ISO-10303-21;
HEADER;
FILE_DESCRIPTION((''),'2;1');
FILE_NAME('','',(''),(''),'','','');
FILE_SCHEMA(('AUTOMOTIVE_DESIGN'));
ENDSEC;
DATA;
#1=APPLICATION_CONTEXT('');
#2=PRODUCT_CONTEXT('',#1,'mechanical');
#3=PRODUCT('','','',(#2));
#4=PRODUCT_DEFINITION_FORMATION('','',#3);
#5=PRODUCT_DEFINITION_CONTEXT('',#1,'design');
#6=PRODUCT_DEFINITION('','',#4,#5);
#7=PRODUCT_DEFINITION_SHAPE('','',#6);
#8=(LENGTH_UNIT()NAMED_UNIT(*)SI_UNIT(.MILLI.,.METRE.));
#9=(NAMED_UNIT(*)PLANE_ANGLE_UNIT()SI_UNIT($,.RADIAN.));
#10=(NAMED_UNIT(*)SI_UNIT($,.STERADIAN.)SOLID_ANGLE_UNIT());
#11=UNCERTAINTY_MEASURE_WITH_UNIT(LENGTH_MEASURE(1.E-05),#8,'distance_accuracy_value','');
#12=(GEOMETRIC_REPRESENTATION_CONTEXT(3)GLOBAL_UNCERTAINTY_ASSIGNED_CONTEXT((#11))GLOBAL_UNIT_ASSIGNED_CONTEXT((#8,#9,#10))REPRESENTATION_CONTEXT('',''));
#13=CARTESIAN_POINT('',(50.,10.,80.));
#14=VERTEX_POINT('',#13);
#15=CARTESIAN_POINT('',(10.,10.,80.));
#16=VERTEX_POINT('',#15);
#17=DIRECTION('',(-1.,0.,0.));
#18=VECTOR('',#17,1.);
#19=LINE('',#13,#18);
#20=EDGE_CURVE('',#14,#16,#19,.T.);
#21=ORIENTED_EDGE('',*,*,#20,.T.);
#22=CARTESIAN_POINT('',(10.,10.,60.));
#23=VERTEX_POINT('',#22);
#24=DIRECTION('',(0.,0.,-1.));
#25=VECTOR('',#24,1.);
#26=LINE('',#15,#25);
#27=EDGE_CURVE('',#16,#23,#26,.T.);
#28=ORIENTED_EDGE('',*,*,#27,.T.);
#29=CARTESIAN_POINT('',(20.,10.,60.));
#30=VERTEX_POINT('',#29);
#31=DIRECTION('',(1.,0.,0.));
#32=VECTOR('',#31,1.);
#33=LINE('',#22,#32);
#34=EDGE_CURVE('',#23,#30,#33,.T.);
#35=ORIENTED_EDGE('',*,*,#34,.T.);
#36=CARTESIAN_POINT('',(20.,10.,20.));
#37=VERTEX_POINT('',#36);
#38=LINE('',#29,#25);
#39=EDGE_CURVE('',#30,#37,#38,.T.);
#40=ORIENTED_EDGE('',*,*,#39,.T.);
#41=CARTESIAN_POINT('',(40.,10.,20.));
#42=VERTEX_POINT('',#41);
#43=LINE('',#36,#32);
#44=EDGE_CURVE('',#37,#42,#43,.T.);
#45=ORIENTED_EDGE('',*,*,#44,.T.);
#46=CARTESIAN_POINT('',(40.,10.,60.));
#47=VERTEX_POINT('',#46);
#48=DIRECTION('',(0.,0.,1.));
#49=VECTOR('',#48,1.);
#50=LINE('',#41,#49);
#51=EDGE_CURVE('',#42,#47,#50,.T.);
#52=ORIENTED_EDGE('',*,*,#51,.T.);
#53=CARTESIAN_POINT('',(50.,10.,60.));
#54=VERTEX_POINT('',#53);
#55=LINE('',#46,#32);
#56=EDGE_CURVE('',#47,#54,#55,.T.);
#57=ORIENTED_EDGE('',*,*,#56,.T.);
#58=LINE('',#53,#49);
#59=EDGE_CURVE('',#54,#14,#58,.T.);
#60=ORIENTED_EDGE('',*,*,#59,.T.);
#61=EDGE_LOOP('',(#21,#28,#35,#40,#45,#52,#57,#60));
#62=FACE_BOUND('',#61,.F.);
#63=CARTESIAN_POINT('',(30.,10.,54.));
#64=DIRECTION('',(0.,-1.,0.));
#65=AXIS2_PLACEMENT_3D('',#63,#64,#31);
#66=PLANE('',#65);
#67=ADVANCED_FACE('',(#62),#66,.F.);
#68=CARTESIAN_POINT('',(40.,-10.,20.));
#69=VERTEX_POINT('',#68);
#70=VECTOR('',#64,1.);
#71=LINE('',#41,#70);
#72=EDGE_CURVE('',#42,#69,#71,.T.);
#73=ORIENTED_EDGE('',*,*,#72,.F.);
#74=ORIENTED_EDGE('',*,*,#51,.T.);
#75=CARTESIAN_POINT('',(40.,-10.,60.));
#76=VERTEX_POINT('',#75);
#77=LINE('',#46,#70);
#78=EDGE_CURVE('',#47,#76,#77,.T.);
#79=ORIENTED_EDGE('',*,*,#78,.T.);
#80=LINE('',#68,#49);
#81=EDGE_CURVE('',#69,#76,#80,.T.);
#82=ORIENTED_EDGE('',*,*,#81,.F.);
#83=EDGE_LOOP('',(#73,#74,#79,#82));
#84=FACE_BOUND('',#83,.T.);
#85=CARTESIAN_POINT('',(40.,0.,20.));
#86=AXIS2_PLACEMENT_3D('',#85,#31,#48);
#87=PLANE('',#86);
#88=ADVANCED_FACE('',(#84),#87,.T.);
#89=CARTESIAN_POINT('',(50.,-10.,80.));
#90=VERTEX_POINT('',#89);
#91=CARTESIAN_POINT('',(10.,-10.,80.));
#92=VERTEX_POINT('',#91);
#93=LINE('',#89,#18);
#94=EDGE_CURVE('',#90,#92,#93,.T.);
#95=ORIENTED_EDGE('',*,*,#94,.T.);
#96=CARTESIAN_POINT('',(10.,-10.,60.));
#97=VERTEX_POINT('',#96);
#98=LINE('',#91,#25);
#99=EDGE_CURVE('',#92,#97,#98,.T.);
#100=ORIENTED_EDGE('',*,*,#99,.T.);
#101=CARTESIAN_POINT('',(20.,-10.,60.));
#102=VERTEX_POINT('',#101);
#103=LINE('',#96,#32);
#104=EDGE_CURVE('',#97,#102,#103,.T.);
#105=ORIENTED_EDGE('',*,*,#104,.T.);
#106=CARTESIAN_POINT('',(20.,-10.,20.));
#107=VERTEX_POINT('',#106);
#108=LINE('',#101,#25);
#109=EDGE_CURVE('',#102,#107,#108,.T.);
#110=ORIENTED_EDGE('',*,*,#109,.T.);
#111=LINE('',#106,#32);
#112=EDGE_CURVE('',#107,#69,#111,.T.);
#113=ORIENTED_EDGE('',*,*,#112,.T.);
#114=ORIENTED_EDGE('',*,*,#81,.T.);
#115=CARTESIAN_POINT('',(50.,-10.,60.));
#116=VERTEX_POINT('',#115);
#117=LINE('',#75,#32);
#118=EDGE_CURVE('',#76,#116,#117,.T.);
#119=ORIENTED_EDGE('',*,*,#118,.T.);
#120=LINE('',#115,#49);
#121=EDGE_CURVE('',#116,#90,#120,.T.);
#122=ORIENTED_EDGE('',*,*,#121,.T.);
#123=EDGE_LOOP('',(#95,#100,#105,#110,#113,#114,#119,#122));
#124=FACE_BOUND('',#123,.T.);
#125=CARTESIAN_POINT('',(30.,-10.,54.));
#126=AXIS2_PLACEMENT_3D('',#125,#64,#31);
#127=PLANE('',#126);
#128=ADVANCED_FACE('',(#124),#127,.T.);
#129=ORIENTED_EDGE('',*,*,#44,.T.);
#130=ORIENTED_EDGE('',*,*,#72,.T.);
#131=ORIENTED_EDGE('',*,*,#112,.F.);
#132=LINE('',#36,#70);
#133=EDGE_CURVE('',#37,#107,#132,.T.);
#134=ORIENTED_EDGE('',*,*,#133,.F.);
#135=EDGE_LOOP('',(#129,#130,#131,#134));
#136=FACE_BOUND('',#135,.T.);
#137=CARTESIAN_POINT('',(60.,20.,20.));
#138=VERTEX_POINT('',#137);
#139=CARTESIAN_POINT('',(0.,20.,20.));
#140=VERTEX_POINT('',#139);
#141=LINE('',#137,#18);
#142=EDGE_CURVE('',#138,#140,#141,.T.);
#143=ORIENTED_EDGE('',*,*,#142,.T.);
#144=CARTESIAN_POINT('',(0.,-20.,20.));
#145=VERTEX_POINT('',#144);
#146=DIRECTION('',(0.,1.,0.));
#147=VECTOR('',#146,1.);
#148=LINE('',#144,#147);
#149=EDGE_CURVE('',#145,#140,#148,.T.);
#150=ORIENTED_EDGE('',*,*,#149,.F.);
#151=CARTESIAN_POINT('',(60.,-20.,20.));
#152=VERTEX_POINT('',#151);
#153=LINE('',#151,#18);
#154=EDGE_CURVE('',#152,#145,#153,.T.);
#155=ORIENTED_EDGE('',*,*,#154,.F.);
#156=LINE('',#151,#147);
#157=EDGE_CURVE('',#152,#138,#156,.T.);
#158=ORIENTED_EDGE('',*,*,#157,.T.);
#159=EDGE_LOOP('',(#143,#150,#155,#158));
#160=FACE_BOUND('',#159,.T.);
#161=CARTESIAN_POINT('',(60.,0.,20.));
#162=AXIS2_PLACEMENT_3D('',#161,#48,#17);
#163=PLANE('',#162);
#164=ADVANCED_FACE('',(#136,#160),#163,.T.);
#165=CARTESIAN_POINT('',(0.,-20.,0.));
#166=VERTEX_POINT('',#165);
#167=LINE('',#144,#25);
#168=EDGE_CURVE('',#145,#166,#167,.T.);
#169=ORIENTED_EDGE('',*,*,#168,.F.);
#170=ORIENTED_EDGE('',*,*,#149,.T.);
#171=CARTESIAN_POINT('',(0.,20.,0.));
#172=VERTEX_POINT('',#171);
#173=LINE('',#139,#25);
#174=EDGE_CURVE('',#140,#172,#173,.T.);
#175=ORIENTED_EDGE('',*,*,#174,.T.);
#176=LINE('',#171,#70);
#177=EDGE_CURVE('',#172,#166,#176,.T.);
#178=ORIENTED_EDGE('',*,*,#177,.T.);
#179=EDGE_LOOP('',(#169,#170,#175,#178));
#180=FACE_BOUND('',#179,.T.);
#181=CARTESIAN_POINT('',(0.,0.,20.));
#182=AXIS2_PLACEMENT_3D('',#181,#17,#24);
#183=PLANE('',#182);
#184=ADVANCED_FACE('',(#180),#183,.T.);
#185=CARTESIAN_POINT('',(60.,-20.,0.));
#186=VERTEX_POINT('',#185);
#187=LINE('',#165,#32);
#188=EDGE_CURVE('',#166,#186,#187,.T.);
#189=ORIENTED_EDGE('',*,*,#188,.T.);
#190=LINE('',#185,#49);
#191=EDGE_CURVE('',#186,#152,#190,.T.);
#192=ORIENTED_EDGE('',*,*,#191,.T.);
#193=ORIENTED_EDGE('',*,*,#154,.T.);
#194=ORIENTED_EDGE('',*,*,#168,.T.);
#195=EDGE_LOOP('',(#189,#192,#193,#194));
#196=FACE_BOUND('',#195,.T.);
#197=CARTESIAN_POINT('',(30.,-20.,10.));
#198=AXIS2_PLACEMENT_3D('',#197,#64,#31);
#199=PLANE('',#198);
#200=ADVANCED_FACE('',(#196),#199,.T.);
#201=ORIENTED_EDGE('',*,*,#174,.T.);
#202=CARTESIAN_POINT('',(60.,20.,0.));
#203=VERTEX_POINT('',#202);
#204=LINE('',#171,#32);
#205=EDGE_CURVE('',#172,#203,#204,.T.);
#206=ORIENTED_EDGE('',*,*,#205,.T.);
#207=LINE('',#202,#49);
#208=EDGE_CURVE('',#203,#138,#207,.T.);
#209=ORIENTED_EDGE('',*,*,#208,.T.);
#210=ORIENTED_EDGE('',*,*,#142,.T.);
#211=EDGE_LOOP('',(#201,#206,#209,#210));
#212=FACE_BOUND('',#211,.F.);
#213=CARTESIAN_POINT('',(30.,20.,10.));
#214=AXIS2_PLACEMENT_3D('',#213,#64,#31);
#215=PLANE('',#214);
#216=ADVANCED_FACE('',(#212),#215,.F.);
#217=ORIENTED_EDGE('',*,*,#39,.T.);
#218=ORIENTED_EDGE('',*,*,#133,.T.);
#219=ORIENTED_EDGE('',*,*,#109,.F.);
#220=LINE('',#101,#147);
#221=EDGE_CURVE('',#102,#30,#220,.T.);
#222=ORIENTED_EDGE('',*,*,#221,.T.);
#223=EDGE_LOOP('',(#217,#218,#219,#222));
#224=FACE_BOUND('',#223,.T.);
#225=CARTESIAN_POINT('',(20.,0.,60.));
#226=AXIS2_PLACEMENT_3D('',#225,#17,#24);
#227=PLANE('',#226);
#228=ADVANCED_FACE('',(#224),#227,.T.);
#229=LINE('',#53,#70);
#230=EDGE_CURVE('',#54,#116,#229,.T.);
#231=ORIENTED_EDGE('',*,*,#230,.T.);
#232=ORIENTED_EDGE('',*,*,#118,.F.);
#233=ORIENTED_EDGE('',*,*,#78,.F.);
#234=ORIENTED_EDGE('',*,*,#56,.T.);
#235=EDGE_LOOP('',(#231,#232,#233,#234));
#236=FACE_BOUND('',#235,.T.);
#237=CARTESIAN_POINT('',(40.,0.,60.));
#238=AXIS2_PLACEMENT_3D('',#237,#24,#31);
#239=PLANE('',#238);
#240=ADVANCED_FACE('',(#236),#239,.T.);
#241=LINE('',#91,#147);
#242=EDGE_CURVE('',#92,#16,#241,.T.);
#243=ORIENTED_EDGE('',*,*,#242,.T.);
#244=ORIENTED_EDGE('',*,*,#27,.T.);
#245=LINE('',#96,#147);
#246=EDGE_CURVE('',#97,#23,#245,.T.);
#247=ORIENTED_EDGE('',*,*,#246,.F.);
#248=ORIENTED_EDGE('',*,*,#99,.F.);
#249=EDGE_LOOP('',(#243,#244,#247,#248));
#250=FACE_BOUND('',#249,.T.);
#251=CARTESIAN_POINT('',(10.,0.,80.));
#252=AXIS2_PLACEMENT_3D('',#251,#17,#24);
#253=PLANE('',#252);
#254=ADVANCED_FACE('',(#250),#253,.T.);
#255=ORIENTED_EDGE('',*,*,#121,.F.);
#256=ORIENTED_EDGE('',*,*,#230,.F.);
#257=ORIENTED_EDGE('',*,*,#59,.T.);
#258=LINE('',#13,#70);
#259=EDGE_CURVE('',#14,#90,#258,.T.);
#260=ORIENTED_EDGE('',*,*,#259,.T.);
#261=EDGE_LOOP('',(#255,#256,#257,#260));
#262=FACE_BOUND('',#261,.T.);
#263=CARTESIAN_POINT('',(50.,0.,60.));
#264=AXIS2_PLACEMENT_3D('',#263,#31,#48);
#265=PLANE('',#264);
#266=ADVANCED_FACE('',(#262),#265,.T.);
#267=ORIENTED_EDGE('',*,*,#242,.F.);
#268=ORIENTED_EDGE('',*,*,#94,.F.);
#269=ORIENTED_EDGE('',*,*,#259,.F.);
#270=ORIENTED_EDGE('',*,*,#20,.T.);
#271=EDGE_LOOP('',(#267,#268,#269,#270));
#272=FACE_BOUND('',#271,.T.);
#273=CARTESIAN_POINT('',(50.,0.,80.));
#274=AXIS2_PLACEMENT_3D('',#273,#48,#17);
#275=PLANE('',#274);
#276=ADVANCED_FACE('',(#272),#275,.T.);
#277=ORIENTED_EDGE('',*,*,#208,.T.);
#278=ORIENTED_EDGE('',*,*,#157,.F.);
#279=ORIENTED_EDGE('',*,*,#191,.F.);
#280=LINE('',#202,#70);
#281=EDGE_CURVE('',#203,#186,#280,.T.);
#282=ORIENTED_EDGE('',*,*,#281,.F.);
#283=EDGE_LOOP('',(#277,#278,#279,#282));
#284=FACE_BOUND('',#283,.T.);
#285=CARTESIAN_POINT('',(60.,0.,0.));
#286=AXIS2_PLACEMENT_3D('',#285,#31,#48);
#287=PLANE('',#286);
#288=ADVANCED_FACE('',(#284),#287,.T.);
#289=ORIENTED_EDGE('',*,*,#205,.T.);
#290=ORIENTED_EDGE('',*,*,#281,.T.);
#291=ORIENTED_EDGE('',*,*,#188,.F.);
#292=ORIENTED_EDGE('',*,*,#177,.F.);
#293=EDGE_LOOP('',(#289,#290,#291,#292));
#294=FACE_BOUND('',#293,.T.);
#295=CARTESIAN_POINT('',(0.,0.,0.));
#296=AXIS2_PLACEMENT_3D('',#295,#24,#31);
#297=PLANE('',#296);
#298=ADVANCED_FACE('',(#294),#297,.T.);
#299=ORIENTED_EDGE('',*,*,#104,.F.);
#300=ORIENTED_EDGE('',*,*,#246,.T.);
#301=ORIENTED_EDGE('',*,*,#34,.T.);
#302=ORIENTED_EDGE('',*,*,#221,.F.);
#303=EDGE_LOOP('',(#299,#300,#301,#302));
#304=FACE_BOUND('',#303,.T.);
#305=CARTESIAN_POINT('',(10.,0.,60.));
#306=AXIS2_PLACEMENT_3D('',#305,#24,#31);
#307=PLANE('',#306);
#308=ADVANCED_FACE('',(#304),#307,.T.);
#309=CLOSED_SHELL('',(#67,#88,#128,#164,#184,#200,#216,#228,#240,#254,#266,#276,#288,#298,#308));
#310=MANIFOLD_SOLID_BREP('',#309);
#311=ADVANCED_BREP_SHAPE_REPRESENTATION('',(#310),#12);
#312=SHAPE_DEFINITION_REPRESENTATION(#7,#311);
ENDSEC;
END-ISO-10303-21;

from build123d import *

# Parameters (mm, degrees)
F1_DEPTH = 20
F2_DEPTH = 10


with BuildPart() as f1:
    # F0 (on Front) → F1 (new body, symmetric)
    with BuildSketch(Plane.XZ):
        Polygon((0, 20), (0, 0), (60, 0), (60, 20), (40, 20), (20, 20), align=None)
    extrude(amount=F1_DEPTH, both=True)

    # F0 (on Front) → F2 (join, symmetric)
    with BuildSketch(Plane.XZ):
        Polygon((20, 60), (20, 20), (40, 20), (40, 60), (50, 60), (50, 80), (10, 80), (10, 60), align=None)
    extrude(amount=F2_DEPTH, both=True)


solid = f1.part
